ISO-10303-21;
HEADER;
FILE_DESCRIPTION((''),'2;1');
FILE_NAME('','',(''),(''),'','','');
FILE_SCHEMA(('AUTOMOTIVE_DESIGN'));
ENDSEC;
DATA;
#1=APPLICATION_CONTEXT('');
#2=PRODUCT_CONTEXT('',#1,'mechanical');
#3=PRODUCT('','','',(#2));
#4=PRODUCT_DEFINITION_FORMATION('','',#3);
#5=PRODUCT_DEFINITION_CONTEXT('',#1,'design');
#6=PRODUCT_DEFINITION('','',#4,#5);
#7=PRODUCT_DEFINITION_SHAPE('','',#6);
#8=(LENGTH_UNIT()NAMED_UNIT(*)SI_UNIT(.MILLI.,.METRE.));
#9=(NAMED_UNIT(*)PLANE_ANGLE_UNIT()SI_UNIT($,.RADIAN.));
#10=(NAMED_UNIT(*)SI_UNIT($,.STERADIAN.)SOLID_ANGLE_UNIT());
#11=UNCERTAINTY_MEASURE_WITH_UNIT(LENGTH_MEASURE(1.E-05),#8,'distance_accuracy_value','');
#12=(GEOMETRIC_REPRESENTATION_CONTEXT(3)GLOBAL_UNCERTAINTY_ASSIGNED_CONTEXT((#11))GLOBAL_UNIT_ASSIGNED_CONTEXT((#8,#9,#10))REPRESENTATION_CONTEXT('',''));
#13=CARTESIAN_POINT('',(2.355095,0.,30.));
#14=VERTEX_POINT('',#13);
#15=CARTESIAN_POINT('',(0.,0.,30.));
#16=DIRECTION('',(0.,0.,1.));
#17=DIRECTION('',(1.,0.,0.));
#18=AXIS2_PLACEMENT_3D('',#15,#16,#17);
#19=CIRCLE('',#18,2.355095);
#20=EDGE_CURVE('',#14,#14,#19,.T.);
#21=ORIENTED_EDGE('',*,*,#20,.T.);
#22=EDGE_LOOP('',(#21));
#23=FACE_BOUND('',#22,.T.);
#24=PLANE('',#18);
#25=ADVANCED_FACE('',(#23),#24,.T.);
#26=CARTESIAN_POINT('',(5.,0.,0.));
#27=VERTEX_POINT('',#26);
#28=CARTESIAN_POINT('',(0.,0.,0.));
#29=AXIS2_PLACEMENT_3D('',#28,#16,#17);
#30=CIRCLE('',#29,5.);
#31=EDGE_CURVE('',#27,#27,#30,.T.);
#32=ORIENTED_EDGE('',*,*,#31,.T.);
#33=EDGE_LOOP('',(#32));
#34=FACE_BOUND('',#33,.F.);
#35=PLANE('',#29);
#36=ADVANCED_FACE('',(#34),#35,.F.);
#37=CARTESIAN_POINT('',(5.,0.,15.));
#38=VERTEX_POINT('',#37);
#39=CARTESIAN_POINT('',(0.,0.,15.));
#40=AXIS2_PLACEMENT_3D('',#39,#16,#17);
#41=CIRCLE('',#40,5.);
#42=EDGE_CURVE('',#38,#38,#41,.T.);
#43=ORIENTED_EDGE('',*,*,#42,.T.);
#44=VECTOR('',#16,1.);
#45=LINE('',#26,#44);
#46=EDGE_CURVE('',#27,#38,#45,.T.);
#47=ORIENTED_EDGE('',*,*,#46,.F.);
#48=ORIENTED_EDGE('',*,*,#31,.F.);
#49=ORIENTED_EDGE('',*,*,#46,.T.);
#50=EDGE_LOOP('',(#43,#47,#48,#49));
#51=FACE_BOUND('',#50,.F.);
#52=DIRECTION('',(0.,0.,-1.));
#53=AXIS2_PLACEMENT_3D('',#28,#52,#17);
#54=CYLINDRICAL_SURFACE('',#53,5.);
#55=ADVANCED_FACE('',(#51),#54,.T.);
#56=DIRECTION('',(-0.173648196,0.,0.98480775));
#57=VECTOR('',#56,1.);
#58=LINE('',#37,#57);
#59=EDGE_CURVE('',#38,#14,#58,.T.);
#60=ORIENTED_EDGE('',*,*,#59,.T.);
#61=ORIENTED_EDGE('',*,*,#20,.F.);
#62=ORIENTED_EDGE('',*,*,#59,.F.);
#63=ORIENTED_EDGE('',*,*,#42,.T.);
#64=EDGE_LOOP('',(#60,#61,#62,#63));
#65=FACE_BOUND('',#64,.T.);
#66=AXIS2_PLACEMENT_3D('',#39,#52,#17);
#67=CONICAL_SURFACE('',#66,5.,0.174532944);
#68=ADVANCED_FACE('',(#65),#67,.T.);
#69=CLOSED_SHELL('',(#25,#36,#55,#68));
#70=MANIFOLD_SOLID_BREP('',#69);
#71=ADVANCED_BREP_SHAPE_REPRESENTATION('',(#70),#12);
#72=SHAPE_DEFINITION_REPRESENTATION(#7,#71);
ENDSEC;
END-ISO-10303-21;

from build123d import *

# Parameters (mm, degrees)
F0_R     = 5
F1_DEPTH = 30
F2_SIZE2 = 2.644905
F2_SIZE  = 15


with BuildPart() as f1:
    # F0 (on Top) → F1 (new body)
    with BuildSketch(Plane.XY):
        Circle(F0_R)
    extrude(amount=F1_DEPTH)

    # F2
    f2_edges = [f1.edges().sort_by_distance(p)[0] for p in [
        (-5, 0, 30),
    ]]
    chamfer(f2_edges, length=F2_SIZE, length2=F2_SIZE2)


solid = f1.part
